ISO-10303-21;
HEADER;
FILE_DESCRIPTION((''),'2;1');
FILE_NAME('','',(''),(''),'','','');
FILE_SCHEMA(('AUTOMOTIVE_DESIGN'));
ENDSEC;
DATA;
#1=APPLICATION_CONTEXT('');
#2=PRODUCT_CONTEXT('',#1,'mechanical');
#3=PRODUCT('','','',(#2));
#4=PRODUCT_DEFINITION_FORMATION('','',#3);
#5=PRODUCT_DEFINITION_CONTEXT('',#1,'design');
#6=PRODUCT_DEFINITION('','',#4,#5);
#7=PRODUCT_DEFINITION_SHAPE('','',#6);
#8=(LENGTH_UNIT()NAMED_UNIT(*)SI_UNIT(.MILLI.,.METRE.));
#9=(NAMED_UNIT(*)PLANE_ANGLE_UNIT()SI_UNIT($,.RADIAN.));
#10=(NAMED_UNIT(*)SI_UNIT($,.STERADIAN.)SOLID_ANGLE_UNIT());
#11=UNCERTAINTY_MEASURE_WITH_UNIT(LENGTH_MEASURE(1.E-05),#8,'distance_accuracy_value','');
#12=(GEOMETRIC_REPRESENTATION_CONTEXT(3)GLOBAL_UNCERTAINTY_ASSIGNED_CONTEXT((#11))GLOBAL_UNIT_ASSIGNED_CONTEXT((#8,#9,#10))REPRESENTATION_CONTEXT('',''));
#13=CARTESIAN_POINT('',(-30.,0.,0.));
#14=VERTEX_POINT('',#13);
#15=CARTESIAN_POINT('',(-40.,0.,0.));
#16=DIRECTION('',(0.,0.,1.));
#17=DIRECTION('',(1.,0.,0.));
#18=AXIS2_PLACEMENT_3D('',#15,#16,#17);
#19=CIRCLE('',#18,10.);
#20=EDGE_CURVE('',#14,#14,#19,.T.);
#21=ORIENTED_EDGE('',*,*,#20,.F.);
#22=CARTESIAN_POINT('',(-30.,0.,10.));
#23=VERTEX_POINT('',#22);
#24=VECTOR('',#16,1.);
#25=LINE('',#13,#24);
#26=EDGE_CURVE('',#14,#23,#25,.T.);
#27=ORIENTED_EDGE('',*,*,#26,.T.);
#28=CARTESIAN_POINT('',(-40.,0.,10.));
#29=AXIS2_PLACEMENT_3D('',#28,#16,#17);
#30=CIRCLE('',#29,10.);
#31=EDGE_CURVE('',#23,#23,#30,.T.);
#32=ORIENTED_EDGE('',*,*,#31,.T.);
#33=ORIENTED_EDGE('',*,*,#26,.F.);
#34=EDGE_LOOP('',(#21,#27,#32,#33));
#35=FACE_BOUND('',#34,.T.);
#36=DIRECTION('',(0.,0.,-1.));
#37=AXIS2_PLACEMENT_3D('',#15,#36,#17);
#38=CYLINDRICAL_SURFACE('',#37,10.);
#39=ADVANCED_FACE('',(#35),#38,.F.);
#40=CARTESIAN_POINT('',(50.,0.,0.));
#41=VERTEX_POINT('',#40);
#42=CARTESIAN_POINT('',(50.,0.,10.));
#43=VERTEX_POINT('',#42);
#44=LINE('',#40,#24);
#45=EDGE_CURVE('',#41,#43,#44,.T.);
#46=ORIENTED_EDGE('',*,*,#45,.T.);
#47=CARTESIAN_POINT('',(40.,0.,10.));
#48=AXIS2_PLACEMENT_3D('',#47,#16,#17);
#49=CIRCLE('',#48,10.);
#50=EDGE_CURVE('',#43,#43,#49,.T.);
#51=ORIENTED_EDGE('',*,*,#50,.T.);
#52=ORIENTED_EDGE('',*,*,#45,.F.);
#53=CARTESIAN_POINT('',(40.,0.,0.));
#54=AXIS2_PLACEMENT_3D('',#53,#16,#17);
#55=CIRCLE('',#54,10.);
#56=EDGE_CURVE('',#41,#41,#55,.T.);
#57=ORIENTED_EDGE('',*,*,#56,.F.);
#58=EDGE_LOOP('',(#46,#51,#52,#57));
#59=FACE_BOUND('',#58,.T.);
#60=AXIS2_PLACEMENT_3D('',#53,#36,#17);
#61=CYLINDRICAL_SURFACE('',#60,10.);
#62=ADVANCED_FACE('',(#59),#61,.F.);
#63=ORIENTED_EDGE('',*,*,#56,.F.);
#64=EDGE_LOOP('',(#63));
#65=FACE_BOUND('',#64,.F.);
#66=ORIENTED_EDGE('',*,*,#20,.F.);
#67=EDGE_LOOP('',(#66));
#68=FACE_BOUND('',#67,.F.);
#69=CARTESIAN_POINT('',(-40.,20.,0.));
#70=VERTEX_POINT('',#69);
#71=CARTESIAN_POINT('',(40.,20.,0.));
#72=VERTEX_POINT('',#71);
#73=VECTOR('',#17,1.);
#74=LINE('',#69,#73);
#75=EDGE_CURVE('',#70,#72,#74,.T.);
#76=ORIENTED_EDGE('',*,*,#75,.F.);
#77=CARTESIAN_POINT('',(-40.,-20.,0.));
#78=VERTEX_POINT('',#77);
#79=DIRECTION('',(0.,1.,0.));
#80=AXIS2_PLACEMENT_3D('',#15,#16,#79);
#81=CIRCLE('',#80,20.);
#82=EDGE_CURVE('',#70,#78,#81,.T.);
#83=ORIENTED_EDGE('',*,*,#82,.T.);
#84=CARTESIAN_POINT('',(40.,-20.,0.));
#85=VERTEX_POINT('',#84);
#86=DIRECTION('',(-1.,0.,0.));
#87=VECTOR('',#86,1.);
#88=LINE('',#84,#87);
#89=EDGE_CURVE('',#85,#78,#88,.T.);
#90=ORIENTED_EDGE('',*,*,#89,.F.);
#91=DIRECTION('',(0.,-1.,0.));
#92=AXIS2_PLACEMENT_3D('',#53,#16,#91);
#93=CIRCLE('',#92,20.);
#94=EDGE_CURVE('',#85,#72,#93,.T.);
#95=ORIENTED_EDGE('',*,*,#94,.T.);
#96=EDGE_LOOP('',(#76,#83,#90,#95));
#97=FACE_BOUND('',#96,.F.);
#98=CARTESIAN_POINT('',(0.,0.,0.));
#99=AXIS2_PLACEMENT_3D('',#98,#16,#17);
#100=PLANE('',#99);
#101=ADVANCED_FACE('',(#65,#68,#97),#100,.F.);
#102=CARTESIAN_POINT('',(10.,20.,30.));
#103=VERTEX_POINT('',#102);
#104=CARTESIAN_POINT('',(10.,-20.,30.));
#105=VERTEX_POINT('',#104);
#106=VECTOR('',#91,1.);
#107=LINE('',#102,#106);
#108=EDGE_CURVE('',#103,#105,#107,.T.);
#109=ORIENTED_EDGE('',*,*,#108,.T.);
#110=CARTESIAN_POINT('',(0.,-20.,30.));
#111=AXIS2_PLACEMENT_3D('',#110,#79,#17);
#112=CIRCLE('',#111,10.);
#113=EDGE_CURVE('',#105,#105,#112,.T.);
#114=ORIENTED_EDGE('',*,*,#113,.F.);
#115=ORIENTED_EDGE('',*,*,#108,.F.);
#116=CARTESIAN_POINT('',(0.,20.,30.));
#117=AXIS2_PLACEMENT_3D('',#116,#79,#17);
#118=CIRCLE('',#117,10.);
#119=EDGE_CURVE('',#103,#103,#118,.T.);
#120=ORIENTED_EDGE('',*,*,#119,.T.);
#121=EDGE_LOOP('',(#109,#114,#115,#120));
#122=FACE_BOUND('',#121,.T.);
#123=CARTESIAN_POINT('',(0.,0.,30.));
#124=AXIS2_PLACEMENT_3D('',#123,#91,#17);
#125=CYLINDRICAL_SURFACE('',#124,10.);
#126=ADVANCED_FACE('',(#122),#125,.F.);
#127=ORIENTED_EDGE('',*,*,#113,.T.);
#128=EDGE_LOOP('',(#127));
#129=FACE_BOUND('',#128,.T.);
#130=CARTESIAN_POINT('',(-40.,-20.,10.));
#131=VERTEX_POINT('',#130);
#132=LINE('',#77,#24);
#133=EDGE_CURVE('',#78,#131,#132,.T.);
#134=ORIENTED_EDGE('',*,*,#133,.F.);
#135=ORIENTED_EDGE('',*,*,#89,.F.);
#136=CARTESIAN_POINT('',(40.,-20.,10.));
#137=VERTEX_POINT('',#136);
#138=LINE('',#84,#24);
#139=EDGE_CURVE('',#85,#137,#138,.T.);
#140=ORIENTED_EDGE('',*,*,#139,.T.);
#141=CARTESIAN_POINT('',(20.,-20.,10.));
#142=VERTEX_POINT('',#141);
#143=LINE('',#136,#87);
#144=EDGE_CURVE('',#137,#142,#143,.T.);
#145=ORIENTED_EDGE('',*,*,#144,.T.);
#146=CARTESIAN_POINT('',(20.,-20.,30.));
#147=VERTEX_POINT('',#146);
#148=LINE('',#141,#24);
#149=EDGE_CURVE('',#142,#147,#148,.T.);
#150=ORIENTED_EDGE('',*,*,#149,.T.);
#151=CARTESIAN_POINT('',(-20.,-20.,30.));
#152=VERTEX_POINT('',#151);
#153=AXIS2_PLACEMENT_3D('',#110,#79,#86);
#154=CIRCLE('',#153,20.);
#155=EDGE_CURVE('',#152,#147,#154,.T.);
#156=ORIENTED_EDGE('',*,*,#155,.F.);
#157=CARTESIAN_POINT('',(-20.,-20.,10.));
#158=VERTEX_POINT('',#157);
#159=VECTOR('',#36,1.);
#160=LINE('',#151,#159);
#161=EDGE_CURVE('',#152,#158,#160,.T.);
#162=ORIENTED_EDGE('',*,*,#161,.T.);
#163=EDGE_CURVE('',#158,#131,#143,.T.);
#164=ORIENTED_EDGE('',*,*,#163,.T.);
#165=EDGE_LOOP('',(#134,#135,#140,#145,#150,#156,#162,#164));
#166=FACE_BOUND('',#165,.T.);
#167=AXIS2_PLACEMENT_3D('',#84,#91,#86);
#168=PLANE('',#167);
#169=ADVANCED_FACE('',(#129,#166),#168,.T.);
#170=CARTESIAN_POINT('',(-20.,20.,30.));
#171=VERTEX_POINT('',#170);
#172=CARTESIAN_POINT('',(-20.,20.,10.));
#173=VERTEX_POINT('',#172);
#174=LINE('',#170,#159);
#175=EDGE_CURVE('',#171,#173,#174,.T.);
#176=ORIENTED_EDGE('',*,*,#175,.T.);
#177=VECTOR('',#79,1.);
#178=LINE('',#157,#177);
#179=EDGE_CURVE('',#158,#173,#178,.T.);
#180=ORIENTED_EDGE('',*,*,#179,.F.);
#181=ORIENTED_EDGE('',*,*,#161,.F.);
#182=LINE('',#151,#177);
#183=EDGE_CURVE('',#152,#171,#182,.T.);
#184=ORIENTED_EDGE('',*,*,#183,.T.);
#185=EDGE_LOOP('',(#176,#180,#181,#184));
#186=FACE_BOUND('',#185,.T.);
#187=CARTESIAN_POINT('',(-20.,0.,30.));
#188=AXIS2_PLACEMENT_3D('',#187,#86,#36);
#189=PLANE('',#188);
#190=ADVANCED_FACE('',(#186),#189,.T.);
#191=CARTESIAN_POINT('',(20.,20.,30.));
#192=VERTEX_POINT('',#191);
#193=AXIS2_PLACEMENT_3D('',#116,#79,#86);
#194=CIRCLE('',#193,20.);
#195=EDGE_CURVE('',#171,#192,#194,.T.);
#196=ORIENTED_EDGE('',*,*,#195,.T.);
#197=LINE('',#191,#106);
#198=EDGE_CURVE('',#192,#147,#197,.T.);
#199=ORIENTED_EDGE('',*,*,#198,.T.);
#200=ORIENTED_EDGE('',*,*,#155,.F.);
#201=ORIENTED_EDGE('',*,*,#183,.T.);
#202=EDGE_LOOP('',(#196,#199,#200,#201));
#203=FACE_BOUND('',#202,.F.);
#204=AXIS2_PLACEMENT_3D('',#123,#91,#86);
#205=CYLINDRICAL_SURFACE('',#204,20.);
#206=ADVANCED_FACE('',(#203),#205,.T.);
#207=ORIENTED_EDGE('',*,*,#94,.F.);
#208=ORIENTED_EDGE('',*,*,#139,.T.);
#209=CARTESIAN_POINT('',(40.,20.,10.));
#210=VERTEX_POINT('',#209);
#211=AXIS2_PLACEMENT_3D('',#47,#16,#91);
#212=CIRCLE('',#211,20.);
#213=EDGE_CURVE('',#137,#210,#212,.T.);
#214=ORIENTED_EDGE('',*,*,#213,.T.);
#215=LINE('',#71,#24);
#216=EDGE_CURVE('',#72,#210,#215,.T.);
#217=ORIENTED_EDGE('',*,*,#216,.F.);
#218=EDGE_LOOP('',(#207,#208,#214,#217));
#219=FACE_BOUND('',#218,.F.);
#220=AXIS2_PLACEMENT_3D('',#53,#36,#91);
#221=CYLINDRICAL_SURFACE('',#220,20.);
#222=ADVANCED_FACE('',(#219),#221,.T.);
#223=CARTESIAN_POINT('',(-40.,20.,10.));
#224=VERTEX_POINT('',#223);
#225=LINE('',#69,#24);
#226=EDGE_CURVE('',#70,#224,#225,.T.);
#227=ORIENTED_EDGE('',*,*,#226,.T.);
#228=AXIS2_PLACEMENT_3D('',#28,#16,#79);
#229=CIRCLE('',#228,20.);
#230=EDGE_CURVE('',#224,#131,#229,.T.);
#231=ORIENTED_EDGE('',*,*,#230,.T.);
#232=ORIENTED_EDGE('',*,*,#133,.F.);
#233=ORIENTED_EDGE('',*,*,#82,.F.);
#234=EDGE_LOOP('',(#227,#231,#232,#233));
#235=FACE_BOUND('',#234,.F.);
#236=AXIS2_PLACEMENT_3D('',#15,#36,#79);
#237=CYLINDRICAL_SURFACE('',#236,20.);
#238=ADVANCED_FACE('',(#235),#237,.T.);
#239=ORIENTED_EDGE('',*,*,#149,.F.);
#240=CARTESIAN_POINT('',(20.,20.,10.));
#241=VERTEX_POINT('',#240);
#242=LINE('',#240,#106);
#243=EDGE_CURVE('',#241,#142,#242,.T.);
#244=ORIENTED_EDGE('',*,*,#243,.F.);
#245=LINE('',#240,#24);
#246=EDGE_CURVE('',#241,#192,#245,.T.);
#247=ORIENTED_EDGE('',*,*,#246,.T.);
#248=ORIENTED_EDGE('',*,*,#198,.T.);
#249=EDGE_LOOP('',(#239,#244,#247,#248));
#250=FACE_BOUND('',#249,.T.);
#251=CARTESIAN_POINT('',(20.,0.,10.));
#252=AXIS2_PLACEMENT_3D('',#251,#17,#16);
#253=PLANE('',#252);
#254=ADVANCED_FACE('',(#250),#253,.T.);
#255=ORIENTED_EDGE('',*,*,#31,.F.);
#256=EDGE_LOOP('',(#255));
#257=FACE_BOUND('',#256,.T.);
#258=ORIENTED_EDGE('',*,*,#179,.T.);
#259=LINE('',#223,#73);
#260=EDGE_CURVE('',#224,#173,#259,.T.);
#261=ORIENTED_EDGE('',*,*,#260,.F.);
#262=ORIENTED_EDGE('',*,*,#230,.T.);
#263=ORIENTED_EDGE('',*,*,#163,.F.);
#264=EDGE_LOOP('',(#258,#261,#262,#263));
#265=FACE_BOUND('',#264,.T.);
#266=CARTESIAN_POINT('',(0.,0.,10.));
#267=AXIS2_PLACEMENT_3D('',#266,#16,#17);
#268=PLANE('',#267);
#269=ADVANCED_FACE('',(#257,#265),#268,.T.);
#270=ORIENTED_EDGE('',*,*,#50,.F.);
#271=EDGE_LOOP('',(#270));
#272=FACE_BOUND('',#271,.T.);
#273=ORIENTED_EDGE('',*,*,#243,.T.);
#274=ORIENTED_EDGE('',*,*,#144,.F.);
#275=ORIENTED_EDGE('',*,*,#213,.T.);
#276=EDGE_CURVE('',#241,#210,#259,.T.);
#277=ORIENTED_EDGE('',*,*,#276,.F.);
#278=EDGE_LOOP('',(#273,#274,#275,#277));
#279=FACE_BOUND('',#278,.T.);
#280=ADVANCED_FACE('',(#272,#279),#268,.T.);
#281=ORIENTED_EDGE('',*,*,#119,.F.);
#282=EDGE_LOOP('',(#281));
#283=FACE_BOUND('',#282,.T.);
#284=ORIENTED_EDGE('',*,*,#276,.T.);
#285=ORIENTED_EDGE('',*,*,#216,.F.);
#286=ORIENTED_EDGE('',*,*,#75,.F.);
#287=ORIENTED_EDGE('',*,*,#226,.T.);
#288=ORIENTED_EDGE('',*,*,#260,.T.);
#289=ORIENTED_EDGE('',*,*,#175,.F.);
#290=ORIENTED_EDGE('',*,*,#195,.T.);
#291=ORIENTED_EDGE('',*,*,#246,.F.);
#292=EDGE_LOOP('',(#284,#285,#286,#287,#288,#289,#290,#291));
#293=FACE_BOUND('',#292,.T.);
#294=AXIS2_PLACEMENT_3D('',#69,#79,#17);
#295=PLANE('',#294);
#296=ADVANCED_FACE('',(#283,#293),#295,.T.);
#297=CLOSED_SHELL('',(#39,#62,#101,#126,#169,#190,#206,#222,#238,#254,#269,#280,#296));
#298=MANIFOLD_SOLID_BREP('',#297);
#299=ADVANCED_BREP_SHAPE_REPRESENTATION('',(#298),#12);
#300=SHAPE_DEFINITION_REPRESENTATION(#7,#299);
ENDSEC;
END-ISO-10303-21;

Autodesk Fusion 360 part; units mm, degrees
sketch "Sketch6" plane through (0, 0, 0) normal (0, 0, 1) x (1, 0, 0)
  line L0 (40, -20) -> (-40, -20)
  line L1 (-40, 20) -> (40, 20)
  circle A0 centre (-40, 0) radius 10
  circle A1 centre (40, 0) radius 10
  arc A2 (-40, 20) -> (-40, -20) centre (-40, 0) ccw
  arc A3 (40, -20) -> (40, 20) centre (40, 0) ccw
  dimension "d15" = 80
  dimension "d16" = 40
extrude "Extrude4" add sketch "Sketch6" along normal blind 10
sketch "Sketch7" plane through (0, 0, 0) normal (0, 1, 0) x (1, 0, 0)
  line L0 (-20, -10) -> (20, -10)
  line L1 (20, -10) -> (20, -30)
  line L2 (-20, -30) -> (-20, -10)
  circle A0 centre (0, -30) radius 10
  arc A1 (-20, -30) -> (20, -30) centre (0, -30) ccw
  dimension "d22" = 40
  dimension "d23" = 20
extrude "Extrude5" add sketch "Sketch7" along normal mid plane 40
